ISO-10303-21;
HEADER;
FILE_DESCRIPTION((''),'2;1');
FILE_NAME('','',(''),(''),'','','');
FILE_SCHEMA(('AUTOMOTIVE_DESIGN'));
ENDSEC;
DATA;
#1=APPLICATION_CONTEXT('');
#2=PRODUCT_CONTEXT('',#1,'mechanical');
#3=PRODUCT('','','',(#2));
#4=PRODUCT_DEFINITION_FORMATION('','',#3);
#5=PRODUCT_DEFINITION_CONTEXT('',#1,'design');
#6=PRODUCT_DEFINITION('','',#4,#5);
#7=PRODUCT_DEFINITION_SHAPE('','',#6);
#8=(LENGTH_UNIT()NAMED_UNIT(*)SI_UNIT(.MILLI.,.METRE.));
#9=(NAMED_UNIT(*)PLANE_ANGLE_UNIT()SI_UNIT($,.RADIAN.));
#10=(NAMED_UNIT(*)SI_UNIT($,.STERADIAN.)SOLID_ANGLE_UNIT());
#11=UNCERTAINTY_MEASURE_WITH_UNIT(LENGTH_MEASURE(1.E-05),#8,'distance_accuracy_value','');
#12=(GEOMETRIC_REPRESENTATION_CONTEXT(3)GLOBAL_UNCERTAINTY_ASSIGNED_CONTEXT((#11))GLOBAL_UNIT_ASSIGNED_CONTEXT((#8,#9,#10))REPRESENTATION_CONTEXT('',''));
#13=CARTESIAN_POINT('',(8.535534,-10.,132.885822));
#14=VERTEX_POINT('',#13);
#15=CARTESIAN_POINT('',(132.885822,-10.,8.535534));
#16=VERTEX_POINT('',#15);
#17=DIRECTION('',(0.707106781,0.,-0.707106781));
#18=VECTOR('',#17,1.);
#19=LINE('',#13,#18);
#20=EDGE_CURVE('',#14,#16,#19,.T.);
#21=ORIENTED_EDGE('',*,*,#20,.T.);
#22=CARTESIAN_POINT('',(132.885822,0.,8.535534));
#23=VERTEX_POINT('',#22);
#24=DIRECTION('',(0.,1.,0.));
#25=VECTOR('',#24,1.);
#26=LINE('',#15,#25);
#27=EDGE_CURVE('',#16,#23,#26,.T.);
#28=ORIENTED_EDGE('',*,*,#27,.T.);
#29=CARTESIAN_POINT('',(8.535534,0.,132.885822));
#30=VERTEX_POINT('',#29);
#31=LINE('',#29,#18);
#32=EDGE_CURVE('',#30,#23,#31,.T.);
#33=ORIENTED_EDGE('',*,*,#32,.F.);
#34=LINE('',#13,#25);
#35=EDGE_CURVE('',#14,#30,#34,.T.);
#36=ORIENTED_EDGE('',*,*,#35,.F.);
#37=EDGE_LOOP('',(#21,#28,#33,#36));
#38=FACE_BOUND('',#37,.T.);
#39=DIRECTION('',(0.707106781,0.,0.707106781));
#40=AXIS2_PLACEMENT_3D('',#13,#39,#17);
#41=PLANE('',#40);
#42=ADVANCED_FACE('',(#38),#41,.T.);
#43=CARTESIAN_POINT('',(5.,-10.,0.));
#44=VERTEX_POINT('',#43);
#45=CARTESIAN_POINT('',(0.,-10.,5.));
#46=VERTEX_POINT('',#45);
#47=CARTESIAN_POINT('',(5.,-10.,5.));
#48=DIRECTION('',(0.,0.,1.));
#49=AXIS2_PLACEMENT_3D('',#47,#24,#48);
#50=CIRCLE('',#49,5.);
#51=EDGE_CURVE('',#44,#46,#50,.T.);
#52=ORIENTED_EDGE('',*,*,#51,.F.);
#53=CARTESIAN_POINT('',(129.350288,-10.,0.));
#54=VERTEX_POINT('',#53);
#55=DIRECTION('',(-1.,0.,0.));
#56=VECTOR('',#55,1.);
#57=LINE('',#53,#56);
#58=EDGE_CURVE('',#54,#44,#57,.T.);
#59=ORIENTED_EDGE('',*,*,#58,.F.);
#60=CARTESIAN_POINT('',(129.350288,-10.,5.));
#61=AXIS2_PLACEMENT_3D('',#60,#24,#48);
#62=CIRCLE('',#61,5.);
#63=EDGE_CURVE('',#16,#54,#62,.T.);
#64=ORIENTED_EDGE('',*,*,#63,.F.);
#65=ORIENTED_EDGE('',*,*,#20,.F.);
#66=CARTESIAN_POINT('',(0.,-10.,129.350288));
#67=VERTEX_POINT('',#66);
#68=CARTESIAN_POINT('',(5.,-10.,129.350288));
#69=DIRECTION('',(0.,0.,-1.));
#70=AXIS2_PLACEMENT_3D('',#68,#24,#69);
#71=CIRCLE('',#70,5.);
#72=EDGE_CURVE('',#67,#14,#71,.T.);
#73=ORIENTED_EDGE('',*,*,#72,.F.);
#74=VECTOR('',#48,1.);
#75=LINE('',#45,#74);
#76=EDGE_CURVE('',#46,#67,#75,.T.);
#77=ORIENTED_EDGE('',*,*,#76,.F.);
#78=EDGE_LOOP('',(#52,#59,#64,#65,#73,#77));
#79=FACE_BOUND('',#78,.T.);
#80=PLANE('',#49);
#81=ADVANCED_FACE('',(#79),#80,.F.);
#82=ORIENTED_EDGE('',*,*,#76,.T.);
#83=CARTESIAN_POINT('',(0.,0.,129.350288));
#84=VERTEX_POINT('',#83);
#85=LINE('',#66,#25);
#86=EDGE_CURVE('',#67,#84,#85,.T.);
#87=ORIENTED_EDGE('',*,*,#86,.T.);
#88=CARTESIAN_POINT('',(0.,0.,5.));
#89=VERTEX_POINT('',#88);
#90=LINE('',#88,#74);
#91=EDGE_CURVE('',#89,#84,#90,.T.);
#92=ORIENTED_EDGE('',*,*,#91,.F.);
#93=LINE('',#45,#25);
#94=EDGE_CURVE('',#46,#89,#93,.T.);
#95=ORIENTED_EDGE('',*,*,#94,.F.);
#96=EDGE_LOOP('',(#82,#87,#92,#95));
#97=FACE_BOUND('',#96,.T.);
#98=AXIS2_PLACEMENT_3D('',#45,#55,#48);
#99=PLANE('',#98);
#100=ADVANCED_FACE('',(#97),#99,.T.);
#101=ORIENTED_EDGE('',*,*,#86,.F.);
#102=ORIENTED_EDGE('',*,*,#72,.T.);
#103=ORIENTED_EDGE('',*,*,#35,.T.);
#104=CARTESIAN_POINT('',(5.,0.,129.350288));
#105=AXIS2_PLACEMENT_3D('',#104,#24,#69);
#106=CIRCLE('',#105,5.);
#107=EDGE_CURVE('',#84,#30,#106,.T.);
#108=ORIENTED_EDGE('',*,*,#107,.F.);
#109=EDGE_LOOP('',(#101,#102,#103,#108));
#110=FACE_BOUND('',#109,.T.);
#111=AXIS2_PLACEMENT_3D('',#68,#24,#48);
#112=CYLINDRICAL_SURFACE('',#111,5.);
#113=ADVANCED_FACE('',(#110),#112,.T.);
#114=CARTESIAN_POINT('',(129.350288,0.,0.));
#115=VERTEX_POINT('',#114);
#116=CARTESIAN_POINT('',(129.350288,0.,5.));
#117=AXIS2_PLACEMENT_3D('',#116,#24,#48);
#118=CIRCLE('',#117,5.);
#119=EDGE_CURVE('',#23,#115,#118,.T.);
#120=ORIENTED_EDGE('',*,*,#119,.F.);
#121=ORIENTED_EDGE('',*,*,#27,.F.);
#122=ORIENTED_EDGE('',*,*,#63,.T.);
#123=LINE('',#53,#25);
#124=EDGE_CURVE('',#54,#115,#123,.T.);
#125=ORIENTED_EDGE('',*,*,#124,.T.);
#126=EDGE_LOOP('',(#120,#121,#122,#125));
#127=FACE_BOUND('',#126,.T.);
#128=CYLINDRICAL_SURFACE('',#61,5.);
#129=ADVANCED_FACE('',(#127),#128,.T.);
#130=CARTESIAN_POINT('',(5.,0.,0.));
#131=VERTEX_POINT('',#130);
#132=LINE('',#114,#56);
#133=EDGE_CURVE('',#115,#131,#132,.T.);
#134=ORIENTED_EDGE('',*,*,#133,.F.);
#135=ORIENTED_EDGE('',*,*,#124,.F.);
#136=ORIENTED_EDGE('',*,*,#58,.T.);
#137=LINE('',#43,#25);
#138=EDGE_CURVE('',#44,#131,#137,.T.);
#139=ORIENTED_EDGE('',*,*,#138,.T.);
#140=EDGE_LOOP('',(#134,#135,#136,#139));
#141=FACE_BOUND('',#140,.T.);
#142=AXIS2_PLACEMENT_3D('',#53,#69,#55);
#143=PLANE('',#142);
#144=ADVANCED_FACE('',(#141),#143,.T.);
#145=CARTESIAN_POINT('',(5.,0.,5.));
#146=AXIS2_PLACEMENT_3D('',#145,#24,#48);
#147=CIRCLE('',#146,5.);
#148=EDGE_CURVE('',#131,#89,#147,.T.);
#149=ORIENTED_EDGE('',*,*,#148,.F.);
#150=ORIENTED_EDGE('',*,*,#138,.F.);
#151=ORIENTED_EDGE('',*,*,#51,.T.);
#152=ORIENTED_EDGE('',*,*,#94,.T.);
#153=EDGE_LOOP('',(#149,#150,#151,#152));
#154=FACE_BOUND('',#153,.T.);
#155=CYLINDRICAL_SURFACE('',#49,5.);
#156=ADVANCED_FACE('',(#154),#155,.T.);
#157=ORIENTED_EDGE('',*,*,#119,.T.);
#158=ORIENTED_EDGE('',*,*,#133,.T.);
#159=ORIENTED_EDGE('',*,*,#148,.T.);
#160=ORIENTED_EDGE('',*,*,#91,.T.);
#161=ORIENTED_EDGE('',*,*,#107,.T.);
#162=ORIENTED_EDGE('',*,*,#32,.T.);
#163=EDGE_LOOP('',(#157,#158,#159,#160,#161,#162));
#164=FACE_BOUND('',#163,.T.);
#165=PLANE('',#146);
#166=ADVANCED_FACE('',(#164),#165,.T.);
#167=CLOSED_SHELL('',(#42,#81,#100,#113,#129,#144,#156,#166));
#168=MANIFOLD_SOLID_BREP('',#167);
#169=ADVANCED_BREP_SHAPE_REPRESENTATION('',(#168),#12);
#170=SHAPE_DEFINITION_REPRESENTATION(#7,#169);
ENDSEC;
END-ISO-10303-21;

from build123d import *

# Parameters (mm, degrees)
BOSS_EXTRUDE1_DEPTH = 10


with BuildPart() as part:
    # Sketch1 → Boss-Extrude1 (new body)
    with BuildSketch(Plane(origin=(0, 0, 0), x_dir=(1, 0, 0), z_dir=(0, 1, 0))):
        with BuildLine():
            Line((8.535533906, -132.885822331), (132.885822331, -8.535533906))
            ThreePointArc((132.885822331, -8.535533906), (133.969686088, -3.086582838), (129.350288425, 0))
            Line((129.350288425, 0), (5, 0))
            ThreePointArc((5, 0), (1.464466094, -1.464466094), (0, -5))
            Line((0, -5), (0, -129.350288425))
            ThreePointArc((0, -129.350288425), (3.086582838, -133.969686088), (8.535533906, -132.885822331))
        make_face()
    extrude(amount=-BOSS_EXTRUDE1_DEPTH)


solid = part.part
